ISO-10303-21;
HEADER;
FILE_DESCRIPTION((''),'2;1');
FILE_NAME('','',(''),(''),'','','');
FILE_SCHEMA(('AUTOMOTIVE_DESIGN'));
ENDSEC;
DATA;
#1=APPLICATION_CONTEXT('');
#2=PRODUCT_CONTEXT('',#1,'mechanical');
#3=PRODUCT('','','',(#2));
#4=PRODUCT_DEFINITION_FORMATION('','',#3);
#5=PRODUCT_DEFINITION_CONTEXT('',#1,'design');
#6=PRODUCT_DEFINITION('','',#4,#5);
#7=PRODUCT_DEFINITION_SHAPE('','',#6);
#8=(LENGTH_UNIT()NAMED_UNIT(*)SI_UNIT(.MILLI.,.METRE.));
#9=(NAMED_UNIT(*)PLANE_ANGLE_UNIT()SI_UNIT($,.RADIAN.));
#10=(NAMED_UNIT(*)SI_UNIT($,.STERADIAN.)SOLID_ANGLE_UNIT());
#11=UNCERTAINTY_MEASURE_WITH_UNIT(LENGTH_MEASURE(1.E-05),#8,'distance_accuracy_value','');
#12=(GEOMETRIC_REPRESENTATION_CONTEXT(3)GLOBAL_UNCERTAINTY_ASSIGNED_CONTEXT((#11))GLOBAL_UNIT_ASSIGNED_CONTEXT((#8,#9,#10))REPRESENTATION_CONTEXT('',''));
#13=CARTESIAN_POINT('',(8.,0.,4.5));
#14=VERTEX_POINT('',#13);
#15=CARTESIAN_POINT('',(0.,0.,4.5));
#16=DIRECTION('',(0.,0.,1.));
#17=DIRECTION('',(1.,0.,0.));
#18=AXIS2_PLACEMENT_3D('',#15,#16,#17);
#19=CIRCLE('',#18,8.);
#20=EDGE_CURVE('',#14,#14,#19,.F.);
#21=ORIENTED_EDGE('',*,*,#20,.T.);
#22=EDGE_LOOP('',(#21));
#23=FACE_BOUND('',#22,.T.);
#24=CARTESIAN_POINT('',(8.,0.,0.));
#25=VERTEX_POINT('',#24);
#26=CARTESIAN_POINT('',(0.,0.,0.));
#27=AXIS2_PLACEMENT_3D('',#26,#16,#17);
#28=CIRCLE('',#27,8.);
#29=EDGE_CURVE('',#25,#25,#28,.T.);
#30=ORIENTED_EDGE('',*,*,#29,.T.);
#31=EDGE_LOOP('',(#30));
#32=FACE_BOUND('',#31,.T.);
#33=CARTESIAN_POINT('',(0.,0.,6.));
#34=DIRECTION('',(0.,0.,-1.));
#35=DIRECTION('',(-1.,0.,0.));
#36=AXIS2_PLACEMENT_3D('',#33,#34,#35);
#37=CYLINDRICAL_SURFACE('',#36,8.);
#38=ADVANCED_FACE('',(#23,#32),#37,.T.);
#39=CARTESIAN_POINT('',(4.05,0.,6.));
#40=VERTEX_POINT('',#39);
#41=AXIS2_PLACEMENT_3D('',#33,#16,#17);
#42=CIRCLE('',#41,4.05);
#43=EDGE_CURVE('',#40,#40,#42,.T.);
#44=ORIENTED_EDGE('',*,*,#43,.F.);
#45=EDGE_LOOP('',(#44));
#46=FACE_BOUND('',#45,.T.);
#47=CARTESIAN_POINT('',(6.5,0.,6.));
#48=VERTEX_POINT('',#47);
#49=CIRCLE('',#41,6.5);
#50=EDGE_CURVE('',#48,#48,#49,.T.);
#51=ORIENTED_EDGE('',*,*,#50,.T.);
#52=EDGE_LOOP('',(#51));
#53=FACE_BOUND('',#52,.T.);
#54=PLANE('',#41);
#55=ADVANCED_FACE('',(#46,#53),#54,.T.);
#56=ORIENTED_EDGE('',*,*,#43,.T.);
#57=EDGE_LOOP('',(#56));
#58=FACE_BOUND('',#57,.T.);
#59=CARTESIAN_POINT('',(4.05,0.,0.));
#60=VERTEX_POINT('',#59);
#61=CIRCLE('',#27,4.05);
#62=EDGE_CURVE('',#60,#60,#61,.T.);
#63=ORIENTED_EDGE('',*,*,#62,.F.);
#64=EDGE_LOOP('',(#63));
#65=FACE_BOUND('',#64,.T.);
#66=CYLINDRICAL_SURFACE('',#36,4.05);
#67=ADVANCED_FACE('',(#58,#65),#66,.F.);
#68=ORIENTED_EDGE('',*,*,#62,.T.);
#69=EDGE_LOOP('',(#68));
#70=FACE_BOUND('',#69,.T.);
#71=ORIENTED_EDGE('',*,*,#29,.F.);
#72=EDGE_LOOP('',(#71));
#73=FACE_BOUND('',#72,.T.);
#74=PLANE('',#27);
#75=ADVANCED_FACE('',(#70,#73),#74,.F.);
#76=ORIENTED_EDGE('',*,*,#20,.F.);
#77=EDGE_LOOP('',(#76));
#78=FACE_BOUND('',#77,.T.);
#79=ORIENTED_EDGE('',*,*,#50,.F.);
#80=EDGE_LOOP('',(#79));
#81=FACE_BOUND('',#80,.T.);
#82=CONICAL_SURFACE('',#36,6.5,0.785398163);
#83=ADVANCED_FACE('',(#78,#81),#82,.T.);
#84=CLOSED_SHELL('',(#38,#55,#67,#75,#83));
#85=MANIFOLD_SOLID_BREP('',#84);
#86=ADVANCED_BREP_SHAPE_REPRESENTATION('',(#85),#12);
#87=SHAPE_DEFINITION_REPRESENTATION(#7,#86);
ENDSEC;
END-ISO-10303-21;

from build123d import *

# Parameters (mm, degrees)
SCHIZZO1_R                   = 8
SCHIZZO1_R_2                 = 4.05
ESTRUSIONE_ESTRUSIONE1_DEPTH = 6
SMUSSO1_SIZE                 = 1.5


with BuildPart() as part:
    # Schizzo1 → Estrusione-Estrusione1 (new body)
    with BuildSketch(Plane.XY):
        Circle(SCHIZZO1_R)
        Circle(SCHIZZO1_R_2, mode=Mode.SUBTRACT)
    extrude(amount=ESTRUSIONE_ESTRUSIONE1_DEPTH)

    # Smusso1
    smusso1_edges = [part.edges().sort_by_distance(p)[0] for p in [
        (-8, 0, 6),
    ]]
    chamfer(smusso1_edges, length=SMUSSO1_SIZE)


solid = part.part
